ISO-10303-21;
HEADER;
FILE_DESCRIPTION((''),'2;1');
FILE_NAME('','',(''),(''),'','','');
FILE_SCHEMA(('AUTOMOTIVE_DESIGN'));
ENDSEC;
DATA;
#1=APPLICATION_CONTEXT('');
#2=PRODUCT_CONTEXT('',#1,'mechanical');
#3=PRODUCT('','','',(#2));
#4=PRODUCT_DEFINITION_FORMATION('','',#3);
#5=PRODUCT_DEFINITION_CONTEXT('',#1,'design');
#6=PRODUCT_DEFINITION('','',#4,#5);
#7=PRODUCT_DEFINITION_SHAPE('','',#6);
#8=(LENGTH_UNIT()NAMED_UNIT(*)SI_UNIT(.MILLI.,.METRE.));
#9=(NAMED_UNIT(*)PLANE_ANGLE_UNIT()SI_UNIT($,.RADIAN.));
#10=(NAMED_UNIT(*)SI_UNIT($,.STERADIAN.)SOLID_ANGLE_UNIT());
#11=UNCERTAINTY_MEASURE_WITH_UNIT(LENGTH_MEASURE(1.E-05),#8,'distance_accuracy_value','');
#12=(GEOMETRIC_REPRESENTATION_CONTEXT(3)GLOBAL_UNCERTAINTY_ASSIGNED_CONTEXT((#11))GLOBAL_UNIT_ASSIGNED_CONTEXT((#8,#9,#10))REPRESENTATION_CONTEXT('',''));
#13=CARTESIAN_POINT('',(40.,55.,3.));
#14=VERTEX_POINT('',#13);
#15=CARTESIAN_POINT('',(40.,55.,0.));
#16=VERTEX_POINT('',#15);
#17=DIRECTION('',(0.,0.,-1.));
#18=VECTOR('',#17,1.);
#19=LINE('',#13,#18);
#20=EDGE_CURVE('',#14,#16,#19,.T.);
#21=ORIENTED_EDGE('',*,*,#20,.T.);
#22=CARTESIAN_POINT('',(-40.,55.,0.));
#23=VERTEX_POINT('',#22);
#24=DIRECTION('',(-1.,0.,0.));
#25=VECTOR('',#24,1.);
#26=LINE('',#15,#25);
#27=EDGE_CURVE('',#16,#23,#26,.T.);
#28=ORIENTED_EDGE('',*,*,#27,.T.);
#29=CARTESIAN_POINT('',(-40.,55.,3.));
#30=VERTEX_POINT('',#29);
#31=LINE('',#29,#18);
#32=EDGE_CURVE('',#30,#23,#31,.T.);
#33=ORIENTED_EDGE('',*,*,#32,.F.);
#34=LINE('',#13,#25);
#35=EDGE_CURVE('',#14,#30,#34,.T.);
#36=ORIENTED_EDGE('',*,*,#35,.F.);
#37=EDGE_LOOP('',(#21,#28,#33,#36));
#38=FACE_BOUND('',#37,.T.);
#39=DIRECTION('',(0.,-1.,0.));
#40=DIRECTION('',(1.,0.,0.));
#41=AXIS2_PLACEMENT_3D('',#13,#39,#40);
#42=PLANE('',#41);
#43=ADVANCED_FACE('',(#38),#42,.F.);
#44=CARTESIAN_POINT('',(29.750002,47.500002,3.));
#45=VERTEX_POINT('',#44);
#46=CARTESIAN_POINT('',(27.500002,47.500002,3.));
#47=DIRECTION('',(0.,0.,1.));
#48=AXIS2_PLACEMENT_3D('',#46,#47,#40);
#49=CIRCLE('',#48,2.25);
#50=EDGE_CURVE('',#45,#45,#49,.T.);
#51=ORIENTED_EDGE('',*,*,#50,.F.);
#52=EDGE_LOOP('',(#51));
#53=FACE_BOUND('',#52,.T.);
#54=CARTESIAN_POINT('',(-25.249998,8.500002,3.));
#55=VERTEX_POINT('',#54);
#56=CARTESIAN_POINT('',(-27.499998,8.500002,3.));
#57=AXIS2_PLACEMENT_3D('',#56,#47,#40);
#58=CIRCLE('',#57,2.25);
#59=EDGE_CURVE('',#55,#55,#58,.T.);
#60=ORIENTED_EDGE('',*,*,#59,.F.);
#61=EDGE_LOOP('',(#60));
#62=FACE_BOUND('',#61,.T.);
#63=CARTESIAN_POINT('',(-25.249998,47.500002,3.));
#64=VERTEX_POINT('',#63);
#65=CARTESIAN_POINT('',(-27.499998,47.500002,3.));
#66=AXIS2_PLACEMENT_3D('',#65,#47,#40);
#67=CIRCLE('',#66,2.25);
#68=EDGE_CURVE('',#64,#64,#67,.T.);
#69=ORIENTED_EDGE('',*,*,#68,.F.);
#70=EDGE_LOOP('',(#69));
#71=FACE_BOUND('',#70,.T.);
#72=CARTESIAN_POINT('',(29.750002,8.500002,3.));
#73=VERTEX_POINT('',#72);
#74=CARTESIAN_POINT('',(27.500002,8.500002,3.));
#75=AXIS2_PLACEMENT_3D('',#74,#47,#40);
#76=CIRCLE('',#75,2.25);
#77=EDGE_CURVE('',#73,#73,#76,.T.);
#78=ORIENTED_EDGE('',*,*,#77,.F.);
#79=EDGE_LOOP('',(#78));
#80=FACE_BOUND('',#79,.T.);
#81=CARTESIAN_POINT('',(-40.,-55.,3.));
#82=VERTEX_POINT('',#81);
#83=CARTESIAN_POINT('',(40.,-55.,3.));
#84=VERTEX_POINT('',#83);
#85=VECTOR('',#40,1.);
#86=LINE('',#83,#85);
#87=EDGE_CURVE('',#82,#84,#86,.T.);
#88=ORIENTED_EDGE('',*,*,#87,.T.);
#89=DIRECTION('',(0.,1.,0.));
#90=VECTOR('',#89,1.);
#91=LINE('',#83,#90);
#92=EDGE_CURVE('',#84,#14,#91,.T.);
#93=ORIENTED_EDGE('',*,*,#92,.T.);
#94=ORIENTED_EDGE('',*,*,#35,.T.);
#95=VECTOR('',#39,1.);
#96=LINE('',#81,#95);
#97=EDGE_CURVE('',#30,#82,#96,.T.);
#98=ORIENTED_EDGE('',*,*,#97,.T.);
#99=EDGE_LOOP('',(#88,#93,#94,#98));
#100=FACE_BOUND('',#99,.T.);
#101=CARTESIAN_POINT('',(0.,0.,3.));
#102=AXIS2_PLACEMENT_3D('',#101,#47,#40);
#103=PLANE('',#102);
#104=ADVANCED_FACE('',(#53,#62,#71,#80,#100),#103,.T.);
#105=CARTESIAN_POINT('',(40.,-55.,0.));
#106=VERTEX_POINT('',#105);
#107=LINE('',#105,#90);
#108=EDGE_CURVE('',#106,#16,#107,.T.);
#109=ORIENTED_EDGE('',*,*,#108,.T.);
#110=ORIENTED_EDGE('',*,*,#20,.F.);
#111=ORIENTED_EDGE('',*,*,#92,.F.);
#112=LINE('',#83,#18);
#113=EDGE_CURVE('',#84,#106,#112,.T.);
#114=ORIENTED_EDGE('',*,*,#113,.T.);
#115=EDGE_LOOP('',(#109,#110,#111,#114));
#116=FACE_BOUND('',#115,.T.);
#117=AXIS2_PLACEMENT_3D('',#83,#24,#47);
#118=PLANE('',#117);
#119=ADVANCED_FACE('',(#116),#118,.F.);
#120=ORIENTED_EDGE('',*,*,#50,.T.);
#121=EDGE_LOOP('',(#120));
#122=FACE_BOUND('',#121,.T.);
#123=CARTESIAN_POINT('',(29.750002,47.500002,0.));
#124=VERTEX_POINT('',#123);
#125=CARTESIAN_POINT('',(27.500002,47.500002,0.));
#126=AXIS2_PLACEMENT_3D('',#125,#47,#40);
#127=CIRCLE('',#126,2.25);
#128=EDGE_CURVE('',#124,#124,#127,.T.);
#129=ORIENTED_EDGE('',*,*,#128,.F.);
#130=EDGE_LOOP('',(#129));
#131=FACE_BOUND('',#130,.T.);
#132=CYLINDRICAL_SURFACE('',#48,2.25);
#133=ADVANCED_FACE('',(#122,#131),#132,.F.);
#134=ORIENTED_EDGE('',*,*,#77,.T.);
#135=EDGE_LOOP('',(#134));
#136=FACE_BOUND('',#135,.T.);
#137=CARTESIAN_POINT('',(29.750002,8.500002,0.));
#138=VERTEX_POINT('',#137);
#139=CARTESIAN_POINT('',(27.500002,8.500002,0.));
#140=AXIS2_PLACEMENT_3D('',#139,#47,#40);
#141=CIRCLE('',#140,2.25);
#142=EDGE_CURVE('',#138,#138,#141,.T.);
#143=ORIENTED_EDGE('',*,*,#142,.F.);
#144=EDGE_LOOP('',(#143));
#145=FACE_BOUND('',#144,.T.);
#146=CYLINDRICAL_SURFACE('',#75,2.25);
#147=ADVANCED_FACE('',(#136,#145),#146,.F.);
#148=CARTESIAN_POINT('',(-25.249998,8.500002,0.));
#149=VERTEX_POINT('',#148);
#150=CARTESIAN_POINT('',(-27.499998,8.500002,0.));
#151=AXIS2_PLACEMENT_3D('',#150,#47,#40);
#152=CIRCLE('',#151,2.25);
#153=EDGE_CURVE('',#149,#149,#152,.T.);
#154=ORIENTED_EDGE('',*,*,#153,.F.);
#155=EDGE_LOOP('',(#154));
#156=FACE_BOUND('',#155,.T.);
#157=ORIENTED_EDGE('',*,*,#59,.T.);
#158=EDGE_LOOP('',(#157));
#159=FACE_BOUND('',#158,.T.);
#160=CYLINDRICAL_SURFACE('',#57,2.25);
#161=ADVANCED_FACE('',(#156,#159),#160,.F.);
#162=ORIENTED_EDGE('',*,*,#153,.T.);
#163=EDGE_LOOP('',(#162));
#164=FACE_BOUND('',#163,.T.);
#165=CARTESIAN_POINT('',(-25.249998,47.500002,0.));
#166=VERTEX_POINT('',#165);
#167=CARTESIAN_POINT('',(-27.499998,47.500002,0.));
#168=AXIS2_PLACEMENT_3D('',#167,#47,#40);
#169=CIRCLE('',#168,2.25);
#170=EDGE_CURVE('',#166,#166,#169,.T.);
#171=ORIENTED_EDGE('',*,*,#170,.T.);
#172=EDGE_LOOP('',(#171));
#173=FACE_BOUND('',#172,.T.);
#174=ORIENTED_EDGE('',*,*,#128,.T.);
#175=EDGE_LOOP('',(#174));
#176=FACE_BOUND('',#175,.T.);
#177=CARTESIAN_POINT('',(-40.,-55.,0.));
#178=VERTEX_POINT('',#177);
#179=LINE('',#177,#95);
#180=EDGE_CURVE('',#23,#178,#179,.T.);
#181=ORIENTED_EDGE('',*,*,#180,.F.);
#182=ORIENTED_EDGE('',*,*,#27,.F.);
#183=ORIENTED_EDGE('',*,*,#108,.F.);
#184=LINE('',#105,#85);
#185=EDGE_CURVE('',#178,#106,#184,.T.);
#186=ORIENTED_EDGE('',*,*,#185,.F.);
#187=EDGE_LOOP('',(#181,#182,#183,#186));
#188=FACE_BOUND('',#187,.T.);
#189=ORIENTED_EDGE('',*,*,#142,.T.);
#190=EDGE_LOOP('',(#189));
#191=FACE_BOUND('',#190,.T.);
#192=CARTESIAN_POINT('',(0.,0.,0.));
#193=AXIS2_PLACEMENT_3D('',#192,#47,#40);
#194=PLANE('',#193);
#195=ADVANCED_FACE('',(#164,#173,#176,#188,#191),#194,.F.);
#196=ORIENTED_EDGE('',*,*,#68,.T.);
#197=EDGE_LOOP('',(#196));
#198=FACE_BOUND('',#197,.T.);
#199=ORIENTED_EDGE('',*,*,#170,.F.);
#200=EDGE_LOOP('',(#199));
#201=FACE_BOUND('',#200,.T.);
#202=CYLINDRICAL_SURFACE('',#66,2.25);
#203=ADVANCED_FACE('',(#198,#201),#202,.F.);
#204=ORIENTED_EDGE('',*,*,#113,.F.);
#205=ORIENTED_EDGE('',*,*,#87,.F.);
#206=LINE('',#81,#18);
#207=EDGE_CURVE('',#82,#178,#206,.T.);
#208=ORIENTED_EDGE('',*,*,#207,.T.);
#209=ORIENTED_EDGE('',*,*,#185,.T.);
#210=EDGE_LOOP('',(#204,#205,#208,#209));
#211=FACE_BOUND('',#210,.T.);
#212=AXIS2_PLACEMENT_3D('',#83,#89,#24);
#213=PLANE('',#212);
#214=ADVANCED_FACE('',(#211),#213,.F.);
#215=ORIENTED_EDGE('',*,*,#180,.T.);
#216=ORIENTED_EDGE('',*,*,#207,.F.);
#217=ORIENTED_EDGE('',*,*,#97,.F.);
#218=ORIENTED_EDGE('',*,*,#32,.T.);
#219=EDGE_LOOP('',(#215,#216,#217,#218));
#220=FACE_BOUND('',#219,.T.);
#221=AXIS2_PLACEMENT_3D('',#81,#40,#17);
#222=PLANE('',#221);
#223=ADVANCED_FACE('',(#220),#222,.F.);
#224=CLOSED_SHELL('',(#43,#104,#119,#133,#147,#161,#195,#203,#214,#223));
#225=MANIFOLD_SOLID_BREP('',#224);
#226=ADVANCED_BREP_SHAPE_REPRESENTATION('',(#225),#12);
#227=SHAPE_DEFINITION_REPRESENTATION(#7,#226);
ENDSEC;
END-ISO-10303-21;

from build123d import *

# Parameters (mm, degrees)
SKETCH1_W           = 80
SKETCH1_H           = 110
BOSS_EXTRUDE1_DEPTH = 3
D_GAGEMENT_M41_D    = 4.5


with BuildPart() as part:
    # Sketch1 → Boss-Extrude1 (new body)
    with BuildSketch(Plane.XY):
        Rectangle(SKETCH1_W, SKETCH1_H)
    extrude(amount=BOSS_EXTRUDE1_DEPTH)

    # Dégagement M41 (through all)
    with Locations(Plane.XY.offset(3)):
        with Locations((27.50000229, 47.500001598), (27.50000229, 8.500001598), (-27.49999771, 8.500001598), (-27.49999771, 47.500001598)):
            Hole(D_GAGEMENT_M41_D / 2)


solid = part.part
